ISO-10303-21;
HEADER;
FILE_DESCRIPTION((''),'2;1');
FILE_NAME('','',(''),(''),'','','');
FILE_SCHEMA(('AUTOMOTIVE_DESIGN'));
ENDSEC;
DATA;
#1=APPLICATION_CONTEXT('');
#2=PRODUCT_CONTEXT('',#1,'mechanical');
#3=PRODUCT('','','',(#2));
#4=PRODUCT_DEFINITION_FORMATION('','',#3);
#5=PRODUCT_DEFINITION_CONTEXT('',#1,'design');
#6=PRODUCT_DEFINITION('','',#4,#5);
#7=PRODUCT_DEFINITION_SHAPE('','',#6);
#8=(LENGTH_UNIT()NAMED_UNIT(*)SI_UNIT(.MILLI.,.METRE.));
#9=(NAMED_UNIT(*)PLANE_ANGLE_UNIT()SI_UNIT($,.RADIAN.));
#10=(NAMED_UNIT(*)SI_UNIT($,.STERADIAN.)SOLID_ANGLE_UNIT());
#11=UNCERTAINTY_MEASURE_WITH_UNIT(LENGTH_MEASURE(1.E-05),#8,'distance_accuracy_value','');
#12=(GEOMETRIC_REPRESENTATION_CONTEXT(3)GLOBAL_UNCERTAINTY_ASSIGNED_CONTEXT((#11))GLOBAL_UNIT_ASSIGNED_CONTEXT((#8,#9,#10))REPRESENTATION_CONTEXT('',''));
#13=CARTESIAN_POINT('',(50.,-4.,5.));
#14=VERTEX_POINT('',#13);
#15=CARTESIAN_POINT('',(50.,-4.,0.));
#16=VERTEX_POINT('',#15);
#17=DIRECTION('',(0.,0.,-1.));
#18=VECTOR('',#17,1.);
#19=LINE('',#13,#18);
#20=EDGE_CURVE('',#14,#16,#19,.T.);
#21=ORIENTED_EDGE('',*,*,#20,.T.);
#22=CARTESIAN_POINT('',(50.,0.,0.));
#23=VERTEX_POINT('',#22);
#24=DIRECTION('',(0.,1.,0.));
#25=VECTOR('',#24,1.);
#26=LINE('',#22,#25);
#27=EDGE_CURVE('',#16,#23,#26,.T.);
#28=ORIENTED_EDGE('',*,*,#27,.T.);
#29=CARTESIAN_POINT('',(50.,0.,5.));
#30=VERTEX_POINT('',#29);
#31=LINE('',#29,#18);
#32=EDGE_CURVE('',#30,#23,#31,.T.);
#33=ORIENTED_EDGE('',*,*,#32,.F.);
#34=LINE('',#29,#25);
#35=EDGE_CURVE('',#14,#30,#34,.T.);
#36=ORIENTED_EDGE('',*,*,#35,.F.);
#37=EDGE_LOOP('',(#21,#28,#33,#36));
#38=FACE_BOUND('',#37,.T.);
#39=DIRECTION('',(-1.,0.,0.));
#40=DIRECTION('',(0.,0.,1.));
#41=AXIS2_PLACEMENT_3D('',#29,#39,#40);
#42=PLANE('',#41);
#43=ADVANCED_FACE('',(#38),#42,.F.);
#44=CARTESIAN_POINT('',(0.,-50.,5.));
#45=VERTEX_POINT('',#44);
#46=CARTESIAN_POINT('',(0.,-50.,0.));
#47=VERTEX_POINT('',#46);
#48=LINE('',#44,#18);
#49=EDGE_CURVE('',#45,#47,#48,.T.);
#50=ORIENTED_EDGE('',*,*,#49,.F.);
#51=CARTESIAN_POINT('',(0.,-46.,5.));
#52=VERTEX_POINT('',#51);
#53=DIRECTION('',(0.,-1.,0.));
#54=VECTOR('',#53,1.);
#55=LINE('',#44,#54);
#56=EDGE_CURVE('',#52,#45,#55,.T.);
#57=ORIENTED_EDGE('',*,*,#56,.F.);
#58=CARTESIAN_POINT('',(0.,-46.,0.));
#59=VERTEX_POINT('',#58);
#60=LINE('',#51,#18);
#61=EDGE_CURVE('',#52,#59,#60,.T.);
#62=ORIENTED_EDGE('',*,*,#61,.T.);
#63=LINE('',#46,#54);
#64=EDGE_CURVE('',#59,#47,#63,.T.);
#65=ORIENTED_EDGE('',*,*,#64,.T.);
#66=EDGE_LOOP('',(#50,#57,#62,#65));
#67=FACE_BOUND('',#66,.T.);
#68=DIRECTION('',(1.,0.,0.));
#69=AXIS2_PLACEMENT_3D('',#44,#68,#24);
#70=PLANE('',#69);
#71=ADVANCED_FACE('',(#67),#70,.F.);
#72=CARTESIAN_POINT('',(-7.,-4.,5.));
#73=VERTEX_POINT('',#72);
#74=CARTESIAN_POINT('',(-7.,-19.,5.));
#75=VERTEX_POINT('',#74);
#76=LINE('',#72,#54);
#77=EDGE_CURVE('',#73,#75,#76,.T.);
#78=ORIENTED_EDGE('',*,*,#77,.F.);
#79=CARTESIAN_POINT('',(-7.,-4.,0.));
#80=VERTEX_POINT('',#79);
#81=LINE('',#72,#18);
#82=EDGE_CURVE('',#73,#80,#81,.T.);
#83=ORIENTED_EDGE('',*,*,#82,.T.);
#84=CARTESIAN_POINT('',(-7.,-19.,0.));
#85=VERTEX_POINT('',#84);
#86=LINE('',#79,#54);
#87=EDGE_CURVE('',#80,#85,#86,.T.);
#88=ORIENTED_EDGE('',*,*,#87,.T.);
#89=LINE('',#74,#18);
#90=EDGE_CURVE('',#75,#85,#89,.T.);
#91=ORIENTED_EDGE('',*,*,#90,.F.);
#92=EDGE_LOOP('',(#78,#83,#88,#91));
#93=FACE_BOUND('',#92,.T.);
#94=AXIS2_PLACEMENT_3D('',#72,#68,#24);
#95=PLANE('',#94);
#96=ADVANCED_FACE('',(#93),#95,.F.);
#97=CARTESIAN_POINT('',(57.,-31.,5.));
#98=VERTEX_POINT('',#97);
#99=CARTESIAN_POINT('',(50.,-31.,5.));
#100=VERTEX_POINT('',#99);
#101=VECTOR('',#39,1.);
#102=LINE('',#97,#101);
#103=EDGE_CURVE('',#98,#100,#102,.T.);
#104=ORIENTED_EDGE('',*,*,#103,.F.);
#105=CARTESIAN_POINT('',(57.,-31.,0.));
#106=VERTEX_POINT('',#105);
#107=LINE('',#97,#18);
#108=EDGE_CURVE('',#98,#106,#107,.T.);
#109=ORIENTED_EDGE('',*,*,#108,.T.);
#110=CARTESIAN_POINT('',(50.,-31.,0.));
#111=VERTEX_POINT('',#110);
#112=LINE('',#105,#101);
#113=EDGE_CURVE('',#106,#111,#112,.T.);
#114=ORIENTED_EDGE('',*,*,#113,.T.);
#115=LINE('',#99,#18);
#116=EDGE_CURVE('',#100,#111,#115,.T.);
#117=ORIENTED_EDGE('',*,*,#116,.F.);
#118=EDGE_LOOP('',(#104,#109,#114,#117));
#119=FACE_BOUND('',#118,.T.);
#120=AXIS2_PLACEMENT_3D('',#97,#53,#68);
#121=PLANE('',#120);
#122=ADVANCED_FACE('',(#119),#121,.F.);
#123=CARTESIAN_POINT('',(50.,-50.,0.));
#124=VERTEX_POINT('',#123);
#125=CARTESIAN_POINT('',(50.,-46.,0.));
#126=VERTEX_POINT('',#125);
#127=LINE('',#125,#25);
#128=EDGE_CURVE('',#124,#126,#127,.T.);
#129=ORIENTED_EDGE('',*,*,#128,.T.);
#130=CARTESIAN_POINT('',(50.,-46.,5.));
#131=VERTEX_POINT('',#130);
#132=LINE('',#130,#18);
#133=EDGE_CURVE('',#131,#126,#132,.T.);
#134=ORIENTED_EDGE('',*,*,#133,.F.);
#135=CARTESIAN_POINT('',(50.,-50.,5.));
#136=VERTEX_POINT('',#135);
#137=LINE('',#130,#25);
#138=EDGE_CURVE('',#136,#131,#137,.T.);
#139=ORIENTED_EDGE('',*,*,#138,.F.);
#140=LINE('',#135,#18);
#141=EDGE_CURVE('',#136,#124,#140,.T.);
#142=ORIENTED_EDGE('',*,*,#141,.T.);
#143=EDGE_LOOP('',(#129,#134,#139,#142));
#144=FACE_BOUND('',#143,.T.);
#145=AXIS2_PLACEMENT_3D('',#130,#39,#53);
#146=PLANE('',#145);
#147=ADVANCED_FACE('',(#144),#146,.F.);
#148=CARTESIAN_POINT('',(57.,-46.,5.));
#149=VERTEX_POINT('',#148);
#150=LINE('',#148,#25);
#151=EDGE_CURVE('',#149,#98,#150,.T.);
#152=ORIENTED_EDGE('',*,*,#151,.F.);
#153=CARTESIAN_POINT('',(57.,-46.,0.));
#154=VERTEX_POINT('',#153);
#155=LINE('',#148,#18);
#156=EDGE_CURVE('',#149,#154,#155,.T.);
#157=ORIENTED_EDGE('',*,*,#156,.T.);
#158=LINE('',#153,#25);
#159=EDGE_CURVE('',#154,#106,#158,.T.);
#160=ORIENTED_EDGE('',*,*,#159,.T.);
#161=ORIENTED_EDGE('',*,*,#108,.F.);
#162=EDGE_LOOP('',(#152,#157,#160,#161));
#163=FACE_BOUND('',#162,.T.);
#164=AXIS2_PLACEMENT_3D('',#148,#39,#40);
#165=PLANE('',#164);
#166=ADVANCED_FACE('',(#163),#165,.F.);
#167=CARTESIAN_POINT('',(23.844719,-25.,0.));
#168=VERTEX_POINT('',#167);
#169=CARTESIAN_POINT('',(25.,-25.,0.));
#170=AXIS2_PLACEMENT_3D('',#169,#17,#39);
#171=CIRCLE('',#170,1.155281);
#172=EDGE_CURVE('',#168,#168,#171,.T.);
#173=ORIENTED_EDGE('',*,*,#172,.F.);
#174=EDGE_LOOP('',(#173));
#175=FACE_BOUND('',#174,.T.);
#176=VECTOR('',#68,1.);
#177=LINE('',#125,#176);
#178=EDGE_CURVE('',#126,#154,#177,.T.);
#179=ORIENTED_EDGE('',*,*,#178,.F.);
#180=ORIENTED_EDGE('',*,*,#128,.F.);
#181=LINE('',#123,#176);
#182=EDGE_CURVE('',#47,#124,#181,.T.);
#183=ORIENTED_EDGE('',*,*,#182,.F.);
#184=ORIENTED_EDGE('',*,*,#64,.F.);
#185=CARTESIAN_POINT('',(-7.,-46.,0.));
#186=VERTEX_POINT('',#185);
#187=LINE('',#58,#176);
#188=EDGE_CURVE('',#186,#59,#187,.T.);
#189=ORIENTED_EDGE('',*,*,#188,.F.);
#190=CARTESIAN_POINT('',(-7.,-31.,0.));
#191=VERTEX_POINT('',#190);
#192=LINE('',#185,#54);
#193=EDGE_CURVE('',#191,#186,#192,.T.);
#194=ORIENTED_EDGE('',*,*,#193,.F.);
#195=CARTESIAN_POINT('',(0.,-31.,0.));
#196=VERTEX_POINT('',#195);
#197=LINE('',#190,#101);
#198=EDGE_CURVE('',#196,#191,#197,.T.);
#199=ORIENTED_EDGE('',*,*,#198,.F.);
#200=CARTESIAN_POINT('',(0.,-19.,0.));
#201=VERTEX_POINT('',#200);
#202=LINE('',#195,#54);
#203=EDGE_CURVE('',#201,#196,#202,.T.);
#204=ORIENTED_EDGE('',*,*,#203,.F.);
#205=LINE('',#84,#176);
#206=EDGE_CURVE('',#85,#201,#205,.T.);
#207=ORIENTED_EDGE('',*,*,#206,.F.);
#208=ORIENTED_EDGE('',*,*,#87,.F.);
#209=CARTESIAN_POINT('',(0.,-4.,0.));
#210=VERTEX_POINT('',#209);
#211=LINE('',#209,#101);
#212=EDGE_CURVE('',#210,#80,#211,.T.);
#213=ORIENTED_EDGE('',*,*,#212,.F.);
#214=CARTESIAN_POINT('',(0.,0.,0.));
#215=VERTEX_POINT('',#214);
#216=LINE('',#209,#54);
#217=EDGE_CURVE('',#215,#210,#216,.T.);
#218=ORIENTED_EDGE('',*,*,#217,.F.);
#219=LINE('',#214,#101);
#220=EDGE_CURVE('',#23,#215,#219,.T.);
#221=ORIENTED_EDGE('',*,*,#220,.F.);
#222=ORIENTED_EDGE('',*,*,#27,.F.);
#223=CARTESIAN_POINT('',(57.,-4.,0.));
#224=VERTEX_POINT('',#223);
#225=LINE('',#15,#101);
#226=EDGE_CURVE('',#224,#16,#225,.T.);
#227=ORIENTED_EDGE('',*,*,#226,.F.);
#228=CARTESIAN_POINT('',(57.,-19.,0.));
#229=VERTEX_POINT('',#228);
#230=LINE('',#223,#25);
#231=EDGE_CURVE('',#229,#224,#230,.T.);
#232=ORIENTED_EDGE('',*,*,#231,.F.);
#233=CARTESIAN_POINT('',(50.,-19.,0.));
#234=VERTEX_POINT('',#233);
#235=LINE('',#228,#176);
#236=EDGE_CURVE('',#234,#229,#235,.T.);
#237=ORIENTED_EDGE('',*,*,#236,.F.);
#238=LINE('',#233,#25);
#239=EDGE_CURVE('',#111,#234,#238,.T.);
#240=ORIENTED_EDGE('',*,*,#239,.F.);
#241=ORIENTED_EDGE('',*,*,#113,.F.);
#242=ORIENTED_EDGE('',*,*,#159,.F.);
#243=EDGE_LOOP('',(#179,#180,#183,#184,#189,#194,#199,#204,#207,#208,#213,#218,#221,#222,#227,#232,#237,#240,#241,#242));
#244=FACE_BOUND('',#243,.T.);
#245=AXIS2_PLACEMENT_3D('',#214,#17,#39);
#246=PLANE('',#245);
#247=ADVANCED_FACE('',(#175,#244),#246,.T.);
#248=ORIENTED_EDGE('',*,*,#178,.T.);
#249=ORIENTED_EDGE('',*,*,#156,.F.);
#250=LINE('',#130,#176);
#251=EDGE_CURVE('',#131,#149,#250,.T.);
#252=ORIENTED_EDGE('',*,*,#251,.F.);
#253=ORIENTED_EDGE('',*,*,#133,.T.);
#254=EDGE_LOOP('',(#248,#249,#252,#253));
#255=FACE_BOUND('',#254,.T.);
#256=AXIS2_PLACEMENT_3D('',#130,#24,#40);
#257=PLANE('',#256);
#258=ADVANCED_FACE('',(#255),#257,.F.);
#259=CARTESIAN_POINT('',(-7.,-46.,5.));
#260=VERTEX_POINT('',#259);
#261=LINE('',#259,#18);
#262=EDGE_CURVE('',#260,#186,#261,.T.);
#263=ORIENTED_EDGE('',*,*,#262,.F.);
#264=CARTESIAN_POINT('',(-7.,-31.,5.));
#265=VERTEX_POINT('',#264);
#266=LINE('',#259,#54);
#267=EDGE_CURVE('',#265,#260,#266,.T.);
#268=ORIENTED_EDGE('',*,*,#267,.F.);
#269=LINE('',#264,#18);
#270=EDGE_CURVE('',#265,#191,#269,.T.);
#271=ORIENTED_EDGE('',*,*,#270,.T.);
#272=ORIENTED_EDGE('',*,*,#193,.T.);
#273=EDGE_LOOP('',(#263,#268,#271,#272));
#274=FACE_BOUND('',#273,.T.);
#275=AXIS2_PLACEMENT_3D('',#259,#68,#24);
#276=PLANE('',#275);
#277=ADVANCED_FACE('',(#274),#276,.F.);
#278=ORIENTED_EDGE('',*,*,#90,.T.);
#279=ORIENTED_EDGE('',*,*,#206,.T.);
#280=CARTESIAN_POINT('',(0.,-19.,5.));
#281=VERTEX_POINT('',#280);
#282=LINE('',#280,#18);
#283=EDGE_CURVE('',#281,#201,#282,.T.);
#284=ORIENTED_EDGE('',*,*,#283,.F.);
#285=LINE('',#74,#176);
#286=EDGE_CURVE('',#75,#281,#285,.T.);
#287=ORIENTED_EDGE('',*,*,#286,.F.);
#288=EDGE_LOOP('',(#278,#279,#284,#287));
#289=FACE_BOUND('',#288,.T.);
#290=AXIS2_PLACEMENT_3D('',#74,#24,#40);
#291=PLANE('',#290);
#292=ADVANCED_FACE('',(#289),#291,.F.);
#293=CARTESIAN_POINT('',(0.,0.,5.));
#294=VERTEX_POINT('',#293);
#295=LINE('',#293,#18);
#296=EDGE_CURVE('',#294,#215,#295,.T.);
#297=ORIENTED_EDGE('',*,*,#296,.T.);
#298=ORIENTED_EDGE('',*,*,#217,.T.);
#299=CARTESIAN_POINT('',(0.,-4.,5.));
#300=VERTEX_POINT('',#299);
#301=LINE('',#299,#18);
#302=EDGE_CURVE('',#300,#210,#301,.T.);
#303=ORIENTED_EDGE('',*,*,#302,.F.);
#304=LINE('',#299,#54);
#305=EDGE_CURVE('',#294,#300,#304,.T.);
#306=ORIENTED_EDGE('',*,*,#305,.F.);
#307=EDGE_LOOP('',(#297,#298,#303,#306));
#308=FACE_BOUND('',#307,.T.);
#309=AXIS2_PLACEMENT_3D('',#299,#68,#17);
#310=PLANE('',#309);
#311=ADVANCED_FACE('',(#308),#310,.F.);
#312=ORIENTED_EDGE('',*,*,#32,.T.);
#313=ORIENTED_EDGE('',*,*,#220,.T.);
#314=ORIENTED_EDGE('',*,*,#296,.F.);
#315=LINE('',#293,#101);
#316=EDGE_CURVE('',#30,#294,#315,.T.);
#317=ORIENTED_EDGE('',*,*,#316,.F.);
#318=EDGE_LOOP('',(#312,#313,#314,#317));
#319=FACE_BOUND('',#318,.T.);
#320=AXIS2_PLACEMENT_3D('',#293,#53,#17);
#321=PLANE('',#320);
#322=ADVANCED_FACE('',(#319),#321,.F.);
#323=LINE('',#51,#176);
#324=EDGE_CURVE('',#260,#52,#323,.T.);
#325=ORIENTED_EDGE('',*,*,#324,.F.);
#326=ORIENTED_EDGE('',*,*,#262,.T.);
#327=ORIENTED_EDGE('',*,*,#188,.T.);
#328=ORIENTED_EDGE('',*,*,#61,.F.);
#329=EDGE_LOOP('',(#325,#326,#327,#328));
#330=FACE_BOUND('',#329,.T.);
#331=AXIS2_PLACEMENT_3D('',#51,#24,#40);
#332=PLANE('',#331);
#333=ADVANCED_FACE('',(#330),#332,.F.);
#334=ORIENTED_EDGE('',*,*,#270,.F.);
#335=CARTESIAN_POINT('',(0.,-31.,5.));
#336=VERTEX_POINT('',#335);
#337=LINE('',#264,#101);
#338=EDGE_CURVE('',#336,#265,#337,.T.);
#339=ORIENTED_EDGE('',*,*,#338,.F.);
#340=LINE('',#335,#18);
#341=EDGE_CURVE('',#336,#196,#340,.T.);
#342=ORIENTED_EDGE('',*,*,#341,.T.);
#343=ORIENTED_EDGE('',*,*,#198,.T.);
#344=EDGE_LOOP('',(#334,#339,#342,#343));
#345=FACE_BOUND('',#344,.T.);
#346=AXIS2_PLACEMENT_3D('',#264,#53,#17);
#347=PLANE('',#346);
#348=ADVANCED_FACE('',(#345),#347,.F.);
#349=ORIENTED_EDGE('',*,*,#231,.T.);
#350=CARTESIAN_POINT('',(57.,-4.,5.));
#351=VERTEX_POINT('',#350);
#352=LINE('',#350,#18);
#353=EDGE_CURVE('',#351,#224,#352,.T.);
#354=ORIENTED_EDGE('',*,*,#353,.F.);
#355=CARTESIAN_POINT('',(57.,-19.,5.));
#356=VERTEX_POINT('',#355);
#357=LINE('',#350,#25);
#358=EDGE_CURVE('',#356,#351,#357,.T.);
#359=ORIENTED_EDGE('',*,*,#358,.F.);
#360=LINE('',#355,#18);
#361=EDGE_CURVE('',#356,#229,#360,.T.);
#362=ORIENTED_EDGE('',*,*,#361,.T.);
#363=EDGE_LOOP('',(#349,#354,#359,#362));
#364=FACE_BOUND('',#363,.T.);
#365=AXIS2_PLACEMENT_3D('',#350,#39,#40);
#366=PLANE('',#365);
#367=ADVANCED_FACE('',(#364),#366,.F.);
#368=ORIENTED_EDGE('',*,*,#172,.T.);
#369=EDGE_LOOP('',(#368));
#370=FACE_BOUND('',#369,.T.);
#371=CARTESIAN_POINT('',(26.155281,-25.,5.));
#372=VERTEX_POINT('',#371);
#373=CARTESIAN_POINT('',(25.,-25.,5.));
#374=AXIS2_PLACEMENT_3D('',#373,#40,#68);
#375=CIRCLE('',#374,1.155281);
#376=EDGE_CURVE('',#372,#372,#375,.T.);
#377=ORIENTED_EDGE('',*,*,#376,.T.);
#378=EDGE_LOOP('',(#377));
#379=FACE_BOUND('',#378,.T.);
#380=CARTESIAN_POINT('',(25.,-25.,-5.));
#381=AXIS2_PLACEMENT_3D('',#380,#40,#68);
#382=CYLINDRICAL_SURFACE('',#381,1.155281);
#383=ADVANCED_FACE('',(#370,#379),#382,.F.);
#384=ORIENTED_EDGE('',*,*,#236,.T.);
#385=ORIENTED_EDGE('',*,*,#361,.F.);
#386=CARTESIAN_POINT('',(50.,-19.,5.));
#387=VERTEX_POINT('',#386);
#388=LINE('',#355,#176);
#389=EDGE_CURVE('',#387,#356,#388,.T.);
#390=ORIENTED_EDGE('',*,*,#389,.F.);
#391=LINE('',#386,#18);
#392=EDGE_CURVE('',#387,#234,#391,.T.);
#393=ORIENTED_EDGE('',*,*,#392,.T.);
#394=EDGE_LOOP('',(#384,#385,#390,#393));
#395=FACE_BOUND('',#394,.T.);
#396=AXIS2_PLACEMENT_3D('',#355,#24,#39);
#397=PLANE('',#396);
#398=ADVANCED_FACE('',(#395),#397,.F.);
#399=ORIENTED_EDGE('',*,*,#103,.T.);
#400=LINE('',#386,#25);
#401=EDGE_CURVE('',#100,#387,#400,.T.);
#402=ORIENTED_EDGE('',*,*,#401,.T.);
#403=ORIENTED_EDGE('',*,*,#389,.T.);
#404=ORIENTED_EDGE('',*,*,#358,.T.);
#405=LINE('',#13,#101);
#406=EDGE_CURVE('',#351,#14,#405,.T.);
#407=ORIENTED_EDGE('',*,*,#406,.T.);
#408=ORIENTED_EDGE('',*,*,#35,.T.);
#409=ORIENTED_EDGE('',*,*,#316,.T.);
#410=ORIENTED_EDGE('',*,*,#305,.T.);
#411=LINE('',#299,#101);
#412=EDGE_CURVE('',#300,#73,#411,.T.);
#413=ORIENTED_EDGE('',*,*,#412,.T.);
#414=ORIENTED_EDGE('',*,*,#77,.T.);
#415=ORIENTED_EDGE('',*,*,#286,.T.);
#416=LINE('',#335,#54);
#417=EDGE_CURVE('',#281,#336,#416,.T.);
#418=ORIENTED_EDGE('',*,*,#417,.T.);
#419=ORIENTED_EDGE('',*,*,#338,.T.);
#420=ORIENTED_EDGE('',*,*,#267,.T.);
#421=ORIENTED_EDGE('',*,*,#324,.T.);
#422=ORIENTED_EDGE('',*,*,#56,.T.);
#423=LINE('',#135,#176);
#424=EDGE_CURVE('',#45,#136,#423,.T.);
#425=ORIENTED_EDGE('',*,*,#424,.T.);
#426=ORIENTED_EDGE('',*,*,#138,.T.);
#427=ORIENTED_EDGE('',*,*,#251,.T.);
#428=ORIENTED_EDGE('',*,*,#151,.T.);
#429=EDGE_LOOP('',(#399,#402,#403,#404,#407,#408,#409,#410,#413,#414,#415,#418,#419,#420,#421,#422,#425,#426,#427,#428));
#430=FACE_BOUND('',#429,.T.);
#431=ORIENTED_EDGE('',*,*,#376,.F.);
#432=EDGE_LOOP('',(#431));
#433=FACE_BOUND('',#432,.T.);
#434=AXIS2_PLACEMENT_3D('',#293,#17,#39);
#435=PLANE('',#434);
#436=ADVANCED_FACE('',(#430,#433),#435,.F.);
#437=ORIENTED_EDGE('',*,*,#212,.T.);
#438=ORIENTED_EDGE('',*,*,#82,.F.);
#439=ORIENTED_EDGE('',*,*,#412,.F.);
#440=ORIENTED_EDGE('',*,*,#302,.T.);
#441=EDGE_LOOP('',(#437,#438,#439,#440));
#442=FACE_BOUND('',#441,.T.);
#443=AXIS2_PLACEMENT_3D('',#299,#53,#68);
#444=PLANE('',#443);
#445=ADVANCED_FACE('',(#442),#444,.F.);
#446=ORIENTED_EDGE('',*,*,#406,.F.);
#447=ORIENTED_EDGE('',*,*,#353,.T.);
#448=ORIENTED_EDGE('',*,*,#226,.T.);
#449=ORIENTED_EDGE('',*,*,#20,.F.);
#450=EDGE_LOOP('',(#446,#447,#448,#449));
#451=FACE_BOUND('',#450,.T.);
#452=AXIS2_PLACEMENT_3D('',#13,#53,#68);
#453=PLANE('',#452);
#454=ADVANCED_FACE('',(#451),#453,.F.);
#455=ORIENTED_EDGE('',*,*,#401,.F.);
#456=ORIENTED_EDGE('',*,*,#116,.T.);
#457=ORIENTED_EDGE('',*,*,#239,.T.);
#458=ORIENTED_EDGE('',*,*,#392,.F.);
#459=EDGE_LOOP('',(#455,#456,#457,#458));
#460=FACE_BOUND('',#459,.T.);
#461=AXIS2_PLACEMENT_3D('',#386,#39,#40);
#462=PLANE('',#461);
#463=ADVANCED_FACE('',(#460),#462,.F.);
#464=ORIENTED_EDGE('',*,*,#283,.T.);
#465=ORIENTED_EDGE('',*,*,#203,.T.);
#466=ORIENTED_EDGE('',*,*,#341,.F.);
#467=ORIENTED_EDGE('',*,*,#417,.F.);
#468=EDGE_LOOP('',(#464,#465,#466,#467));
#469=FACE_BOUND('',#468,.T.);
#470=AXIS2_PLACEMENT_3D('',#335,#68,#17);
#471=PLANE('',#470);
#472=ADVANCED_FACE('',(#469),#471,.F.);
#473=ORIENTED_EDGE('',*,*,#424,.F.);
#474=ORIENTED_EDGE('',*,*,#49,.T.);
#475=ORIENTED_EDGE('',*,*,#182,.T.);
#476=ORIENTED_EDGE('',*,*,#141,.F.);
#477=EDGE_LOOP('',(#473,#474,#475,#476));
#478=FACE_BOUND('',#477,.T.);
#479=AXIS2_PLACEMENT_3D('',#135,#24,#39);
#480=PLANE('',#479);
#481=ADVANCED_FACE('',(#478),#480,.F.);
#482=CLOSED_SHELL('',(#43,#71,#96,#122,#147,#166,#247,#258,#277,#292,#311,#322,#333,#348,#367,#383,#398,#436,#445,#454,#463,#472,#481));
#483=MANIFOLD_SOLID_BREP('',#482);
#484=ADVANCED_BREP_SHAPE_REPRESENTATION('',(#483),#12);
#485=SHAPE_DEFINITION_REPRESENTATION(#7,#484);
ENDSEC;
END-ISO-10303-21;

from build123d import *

# Parameters (mm, degrees)
BOSS_EXTRUDE1_DEPTH = 5
SKETCH2_R           = 1.155281189
CUT_EXTRUDE1_DEPTH  = 10


with BuildPart() as part:
    # Sketch1 → Boss-Extrude1 (new body)
    with BuildSketch(Plane.XY):
        Polygon((0, 0), (50, 0), (50, -4), (57, -4), (57, -19), (50, -19), (50, -31), (57, -31), (57, -46), (50, -46), (50, -50), (0, -50), (0, -46), (-7, -46), (-7, -31), (0, -31), (0, -19), (-7, -19), (-7, -4), (0, -4), align=None)
    extrude(amount=BOSS_EXTRUDE1_DEPTH)

    # Sketch2 → Cut-Extrude1 (cut)
    with BuildSketch(Plane.XY.offset(5)):
        with Locations((25, -25)):
            Circle(SKETCH2_R)
    extrude(amount=-CUT_EXTRUDE1_DEPTH, mode=Mode.SUBTRACT)


solid = part.part
